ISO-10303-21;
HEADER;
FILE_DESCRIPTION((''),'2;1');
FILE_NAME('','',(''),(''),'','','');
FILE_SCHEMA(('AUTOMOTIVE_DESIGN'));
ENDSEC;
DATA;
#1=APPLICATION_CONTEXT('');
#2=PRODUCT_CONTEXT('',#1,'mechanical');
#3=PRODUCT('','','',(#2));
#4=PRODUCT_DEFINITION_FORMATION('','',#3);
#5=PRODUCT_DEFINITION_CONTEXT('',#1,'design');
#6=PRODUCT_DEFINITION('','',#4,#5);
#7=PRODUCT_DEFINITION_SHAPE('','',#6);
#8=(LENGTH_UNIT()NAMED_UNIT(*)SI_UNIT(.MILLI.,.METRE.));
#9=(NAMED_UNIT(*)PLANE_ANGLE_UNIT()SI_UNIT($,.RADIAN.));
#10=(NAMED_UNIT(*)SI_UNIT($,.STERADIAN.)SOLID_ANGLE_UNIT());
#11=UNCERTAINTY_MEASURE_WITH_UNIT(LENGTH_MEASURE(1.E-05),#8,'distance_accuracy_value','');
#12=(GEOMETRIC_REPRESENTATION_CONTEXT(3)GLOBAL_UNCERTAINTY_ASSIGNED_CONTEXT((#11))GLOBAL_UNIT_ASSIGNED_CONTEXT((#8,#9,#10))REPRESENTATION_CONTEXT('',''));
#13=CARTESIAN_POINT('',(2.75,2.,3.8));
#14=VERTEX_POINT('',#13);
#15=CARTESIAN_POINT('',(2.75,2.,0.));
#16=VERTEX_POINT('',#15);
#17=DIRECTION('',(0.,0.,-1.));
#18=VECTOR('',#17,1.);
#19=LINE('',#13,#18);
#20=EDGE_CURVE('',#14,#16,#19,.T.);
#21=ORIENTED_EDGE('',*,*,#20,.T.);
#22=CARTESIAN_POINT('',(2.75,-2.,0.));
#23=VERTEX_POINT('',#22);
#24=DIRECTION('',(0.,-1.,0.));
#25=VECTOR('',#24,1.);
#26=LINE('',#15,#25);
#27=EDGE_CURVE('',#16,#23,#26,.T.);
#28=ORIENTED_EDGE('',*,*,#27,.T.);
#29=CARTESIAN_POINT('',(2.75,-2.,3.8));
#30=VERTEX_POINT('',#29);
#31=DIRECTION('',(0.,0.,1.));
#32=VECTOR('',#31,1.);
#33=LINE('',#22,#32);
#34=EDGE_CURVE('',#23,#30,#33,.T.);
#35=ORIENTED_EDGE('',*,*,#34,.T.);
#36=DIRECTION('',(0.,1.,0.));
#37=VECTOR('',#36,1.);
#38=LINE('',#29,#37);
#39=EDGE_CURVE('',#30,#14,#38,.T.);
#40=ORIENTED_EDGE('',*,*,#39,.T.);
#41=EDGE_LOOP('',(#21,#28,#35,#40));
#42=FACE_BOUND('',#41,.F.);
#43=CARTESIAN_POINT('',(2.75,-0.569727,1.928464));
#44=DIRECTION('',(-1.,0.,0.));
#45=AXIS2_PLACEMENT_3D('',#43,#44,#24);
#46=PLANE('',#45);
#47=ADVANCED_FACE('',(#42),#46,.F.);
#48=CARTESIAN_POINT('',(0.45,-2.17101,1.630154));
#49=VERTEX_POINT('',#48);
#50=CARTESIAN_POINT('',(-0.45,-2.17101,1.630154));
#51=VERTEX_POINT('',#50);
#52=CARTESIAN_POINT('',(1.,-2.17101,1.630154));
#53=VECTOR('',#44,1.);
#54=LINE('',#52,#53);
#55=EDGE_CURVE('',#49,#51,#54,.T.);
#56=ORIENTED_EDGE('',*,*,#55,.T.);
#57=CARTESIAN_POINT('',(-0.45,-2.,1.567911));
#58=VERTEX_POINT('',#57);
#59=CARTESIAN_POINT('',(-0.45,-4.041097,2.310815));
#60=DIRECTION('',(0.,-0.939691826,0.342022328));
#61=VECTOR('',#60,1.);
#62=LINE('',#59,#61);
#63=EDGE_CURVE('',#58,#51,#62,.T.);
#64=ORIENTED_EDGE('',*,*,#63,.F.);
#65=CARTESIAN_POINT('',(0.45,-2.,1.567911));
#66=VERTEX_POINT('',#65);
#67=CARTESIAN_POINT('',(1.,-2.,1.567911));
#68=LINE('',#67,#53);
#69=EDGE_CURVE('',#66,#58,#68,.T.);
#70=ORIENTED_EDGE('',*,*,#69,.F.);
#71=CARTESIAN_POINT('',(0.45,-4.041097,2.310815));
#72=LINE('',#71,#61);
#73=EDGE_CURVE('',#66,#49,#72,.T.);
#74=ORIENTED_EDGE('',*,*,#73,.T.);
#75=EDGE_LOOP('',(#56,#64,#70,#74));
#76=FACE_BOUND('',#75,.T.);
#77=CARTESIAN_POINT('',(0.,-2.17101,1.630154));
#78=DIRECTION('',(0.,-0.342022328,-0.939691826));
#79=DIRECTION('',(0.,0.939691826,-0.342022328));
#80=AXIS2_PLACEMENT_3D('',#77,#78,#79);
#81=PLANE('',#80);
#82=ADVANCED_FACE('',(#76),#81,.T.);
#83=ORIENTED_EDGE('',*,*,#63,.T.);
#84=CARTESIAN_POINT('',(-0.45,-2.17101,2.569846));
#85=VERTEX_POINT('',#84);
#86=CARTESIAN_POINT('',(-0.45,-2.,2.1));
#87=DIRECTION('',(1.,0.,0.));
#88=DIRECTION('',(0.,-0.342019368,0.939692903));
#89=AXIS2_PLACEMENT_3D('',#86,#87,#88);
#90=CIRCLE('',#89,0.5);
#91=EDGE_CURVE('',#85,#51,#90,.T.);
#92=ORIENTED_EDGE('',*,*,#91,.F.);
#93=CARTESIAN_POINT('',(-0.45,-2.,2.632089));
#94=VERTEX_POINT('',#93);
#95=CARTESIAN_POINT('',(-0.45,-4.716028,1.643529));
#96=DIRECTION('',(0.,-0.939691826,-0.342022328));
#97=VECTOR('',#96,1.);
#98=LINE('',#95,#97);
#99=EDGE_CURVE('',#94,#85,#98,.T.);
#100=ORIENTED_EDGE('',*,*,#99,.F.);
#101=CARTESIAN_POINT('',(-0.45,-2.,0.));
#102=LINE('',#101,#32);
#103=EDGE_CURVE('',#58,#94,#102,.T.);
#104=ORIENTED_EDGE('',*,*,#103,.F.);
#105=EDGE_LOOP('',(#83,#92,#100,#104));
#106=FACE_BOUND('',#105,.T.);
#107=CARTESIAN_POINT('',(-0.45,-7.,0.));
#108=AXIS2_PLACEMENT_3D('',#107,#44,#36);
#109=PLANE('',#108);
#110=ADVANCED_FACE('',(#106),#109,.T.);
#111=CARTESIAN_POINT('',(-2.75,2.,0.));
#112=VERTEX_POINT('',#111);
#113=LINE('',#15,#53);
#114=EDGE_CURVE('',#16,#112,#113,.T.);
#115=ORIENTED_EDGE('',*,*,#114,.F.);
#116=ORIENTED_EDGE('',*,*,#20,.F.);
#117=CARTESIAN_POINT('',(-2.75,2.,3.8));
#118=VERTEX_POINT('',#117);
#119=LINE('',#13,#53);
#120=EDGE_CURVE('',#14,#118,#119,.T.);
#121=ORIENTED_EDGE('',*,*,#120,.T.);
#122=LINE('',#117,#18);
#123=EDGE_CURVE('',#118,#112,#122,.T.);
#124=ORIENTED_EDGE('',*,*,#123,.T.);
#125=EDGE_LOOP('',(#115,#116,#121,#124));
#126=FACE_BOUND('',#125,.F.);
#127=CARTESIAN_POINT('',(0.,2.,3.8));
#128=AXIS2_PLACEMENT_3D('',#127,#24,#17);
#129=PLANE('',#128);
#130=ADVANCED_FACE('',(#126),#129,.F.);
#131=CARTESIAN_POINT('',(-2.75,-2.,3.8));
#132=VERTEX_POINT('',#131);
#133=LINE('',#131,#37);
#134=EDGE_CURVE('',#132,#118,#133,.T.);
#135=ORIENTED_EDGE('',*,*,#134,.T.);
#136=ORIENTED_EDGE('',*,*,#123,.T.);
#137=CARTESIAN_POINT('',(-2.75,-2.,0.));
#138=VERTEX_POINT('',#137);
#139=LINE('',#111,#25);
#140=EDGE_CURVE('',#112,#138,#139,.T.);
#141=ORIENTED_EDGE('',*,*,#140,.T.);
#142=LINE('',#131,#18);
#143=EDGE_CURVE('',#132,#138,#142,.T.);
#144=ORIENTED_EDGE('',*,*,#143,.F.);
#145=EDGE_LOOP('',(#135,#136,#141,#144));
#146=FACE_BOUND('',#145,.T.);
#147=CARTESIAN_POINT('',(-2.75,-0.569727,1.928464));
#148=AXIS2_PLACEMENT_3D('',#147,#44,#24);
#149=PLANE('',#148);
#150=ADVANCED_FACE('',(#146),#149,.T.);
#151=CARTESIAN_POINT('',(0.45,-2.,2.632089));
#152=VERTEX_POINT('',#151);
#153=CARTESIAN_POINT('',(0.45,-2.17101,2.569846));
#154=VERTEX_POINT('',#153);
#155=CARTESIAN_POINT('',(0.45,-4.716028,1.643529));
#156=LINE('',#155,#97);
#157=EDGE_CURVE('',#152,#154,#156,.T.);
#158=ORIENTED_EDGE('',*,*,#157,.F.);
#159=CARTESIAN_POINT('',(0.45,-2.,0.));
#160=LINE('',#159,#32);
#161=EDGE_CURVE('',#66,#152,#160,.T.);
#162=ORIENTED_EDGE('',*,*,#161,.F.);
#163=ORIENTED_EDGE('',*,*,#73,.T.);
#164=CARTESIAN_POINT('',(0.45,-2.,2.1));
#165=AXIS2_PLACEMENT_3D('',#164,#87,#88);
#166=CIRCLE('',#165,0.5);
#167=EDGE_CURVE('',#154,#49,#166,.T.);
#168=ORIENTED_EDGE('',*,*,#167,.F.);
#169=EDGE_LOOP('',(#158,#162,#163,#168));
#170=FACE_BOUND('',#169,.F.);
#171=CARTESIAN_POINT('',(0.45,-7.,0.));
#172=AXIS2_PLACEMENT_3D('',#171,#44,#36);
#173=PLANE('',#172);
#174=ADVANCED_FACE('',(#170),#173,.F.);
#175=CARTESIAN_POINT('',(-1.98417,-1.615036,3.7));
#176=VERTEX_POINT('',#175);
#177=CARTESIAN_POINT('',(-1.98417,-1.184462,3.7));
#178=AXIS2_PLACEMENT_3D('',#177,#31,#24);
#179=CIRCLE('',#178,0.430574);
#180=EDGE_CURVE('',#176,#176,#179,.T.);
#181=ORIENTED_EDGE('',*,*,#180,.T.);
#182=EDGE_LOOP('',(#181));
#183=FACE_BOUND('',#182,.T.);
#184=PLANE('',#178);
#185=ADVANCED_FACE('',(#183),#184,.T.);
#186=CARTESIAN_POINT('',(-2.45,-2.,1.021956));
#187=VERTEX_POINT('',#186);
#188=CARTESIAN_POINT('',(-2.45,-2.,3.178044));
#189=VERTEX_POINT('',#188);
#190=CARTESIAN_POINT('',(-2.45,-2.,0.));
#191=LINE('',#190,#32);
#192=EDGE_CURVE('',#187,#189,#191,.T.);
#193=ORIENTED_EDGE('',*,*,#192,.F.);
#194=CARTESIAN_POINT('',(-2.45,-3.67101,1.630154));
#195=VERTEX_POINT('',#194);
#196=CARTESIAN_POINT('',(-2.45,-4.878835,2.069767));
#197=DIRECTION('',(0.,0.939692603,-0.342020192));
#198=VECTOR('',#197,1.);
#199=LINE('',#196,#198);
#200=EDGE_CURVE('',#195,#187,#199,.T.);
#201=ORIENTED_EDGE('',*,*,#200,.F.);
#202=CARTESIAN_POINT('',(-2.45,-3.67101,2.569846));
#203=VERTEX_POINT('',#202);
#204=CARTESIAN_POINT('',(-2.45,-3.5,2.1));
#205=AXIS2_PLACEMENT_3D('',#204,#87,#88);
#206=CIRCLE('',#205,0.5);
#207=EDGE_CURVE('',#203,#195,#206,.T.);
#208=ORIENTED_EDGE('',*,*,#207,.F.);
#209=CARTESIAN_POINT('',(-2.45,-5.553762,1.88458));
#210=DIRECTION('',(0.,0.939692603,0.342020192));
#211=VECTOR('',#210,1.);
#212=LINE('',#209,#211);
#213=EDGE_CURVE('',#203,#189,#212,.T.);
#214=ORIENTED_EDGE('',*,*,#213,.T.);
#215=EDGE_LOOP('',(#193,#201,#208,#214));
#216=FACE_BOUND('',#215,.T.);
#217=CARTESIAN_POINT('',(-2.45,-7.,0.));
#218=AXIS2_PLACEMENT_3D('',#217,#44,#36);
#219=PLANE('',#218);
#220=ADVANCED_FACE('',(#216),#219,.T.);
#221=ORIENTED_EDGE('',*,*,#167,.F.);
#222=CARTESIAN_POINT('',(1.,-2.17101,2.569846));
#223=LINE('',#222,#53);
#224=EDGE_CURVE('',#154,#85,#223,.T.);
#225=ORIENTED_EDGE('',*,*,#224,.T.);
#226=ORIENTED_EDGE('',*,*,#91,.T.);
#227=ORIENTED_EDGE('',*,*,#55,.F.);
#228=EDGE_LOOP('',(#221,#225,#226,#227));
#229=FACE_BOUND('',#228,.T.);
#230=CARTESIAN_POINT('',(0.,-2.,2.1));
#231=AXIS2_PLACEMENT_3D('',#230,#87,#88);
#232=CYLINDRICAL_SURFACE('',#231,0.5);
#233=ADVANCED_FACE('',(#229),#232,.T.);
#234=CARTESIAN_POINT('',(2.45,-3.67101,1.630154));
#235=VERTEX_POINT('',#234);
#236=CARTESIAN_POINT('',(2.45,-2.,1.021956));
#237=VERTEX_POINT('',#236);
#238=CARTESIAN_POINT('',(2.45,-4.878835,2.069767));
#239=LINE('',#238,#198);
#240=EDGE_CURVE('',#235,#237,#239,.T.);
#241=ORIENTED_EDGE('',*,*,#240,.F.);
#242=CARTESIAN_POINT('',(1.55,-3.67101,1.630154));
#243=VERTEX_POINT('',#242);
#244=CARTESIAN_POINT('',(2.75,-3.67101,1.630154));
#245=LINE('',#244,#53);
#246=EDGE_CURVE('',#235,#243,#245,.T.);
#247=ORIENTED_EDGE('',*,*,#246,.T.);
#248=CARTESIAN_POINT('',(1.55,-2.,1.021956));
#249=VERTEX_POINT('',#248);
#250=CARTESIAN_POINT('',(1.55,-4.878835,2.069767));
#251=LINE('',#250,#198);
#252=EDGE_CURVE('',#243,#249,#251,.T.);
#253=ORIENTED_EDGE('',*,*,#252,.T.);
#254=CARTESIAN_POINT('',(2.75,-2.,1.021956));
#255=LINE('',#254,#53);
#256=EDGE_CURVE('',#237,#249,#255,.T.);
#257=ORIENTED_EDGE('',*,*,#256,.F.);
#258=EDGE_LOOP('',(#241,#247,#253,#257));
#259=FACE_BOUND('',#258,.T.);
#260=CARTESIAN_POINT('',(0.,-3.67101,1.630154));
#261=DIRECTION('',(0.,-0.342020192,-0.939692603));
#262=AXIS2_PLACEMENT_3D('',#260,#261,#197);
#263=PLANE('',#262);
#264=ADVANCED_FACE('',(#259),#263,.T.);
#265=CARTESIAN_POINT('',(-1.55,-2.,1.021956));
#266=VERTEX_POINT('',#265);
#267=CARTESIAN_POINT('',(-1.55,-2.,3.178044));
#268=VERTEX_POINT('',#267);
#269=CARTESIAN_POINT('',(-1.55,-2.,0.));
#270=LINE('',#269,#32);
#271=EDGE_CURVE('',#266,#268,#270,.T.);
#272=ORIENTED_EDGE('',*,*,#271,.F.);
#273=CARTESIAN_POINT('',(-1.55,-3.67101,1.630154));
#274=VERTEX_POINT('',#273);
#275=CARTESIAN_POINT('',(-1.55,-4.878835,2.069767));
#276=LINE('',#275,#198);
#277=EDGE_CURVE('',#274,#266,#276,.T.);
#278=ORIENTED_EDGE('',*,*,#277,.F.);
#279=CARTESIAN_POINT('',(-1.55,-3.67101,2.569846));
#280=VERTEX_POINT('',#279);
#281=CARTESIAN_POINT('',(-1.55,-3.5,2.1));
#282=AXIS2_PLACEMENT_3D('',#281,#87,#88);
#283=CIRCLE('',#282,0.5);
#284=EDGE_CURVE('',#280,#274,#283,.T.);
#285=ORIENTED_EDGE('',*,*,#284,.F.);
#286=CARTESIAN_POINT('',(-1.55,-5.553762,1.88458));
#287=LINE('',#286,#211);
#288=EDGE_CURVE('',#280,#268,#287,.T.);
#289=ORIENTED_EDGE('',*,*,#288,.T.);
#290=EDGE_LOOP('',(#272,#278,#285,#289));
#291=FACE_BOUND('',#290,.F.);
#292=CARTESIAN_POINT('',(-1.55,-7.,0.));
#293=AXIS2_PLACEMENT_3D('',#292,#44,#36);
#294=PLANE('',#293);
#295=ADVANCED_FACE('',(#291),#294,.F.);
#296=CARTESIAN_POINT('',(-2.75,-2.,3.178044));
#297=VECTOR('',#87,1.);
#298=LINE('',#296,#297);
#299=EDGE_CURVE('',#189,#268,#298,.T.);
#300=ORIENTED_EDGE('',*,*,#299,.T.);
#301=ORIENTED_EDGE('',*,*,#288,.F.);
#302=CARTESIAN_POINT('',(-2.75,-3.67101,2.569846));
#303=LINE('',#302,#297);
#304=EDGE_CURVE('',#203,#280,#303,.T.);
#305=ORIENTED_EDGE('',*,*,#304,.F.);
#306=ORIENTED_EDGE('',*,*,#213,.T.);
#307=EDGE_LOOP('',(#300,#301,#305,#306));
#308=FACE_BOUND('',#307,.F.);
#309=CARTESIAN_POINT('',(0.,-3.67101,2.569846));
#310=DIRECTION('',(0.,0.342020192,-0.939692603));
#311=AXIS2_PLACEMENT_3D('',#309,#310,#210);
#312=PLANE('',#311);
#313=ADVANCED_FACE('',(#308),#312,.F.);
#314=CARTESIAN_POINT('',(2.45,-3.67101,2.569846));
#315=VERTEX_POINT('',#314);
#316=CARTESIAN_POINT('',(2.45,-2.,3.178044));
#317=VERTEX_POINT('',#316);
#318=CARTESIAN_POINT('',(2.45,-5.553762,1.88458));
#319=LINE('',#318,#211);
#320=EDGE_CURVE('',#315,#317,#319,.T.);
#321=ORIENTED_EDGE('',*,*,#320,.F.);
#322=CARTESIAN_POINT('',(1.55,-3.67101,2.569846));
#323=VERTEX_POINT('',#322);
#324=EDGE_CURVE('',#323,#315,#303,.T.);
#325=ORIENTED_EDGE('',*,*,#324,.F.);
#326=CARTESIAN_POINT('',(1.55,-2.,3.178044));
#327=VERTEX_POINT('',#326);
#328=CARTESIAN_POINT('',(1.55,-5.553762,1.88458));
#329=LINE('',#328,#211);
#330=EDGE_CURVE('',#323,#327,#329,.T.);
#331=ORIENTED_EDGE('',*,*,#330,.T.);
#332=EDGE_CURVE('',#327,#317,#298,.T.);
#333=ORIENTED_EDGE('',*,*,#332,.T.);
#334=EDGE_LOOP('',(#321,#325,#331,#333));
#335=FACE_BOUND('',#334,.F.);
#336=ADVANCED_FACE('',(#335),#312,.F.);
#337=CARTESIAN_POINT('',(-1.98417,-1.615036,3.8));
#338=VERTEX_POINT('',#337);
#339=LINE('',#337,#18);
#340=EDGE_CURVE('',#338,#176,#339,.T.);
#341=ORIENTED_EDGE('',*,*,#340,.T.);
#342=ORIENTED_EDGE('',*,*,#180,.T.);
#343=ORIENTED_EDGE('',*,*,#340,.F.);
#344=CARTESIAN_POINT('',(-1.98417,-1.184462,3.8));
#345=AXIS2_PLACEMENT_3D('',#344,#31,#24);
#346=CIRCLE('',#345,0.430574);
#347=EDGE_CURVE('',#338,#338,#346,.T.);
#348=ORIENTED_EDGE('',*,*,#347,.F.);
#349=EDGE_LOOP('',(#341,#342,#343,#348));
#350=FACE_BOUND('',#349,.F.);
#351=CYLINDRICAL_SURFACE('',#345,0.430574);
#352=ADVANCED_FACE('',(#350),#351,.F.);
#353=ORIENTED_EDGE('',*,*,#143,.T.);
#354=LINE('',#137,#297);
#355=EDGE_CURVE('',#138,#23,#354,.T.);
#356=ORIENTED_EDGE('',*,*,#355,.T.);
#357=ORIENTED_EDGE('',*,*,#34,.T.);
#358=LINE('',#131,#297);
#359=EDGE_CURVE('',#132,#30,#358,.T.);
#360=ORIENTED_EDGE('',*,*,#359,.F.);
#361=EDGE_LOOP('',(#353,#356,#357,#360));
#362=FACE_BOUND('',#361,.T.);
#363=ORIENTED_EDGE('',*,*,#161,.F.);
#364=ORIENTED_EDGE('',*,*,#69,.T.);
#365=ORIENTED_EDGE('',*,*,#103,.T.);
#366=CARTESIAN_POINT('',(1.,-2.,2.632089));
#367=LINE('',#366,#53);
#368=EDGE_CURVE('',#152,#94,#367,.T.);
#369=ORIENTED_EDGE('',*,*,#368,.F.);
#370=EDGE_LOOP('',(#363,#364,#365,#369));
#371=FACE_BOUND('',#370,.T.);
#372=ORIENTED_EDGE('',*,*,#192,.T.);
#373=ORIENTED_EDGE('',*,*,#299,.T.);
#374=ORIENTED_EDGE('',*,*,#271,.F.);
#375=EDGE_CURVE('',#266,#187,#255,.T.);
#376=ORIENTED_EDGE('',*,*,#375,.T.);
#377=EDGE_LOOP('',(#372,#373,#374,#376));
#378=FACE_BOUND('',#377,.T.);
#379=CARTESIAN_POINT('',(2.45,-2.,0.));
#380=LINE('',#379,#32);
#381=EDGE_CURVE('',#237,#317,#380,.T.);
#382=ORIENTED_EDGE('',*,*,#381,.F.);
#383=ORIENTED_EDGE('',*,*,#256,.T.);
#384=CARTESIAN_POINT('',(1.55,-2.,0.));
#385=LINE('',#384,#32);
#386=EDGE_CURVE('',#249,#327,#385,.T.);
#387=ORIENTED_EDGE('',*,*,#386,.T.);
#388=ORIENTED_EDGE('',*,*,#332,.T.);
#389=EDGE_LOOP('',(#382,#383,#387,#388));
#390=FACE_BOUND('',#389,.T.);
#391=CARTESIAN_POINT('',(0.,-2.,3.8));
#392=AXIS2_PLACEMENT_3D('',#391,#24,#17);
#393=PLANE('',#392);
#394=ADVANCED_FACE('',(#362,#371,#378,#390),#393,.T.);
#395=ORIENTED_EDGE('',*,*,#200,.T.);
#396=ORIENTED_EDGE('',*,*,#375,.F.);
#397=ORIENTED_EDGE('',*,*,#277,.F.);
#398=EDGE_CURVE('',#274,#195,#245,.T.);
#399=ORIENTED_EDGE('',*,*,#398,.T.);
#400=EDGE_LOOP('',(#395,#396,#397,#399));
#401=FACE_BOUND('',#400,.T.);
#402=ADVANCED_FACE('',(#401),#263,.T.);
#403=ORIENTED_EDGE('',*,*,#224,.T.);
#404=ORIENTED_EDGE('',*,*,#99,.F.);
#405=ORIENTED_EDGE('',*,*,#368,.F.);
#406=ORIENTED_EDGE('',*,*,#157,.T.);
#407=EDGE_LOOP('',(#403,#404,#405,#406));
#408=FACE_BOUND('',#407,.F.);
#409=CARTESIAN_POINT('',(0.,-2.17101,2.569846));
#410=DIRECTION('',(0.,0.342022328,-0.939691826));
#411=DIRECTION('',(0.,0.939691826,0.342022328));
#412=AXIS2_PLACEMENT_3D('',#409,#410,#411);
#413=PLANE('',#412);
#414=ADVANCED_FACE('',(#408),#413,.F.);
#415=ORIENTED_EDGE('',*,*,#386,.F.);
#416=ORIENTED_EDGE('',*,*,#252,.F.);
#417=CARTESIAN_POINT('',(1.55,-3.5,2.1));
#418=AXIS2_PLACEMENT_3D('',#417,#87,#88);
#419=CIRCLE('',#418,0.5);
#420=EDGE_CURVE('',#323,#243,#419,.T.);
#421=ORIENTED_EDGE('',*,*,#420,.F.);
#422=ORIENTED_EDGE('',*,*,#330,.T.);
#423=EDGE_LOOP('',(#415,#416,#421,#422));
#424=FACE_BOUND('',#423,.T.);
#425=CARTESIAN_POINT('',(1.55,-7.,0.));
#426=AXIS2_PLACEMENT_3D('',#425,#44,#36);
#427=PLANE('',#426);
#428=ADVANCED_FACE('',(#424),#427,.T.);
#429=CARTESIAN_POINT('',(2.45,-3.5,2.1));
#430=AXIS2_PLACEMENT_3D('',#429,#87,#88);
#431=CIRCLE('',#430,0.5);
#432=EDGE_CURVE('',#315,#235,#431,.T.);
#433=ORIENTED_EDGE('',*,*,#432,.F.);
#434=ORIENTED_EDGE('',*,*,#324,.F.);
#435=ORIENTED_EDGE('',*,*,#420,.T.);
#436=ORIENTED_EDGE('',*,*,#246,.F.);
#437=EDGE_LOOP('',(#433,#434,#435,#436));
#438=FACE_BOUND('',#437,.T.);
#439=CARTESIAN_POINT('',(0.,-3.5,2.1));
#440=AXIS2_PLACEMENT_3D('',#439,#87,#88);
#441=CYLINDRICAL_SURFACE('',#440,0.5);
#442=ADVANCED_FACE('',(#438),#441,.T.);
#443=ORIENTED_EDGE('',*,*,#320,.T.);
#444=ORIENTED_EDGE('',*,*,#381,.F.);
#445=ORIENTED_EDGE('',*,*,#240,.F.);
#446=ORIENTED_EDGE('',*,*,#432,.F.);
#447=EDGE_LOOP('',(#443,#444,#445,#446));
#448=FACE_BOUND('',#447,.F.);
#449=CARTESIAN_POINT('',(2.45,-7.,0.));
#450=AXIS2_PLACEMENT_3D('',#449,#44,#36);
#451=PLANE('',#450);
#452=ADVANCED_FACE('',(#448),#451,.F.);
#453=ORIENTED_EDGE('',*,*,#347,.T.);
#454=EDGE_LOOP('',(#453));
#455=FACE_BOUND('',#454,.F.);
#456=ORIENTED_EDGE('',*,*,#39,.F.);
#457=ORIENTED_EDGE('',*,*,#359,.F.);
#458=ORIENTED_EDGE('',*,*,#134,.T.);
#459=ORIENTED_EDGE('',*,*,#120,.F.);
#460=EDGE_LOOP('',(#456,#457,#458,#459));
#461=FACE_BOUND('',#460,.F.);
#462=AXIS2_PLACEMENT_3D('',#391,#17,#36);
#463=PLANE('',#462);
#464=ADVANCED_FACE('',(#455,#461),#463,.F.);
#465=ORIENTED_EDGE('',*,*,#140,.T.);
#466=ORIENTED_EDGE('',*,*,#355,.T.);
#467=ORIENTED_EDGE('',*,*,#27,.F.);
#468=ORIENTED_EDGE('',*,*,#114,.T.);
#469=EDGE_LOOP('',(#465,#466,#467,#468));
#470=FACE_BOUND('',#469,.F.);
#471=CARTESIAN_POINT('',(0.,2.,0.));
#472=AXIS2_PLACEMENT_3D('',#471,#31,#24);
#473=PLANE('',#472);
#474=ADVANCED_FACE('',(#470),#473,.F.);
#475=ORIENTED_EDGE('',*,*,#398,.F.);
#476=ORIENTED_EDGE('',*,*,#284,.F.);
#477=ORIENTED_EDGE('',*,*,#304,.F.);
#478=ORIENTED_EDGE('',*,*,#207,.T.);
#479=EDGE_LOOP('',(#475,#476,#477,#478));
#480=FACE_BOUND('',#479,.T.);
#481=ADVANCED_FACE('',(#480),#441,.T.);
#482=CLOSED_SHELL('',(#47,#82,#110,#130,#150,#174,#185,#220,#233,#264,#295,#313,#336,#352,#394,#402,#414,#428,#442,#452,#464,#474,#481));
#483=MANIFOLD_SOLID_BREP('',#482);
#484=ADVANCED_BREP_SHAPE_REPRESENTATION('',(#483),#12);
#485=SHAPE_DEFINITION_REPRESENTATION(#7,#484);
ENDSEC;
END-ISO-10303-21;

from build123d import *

# Parameters (mm, degrees)
PAD_DEPTH       = 2.75
SKETCH001_W     = 1.1
SKETCH001_H     = 5
POCKET_DEPTH    = 5
POCKET001_DEPTH = 1
SKETCH003_R     = 0.430574
POCKET002_DEPTH = 0.1


with BuildPart() as part:
    # Sketch → Pad (new body, symmetric)
    with BuildSketch(Plane.YZ):
        with BuildLine():
            Line((-2, 3.8), (2, 3.8))
            Line((2, 3.8), (2, 0))
            Line((2, 0), (-2, 0))
            Line((-2, 1.021956), (-2, 0))
            Line((-3.67101, 1.630154), (-2, 1.021956))
            ThreePointArc((-3.67101, 2.569846), (-4, 2.1), (-3.67101, 1.630154))
            Line((-3.67101, 2.569846), (-2, 3.178044))
            Line((-2, 3.8), (-2, 3.178044))
        make_face()
    extrude(amount=PAD_DEPTH, both=True)

    # Sketch001 → Pocket (cut)
    with BuildSketch(Plane.XY):
        with Locations((-3, -4.5)):
            Rectangle(SKETCH001_W, SKETCH001_H)
        with Locations((3, -4.5)):
            Rectangle(SKETCH001_W, SKETCH001_H)
        with Locations((-1, -4.5)):
            Rectangle(SKETCH001_W, SKETCH001_H)
        with Locations((1, -4.5)):
            Rectangle(SKETCH001_W, SKETCH001_H)
    extrude(amount=POCKET_DEPTH, mode=Mode.SUBTRACT)

    # Sketch002 → Pocket001 (cut, symmetric)
    with BuildSketch(Plane.YZ):
        with BuildLine():
            Line((-2, 3.803843), (-2, 2.632089))
            Line((-2.17101, 2.569846), (-2, 2.632089))
            ThreePointArc((-2.17101, 2.569846), (-2.5, 2.1), (-2.17101, 1.630154))
            Line((-2.17101, 1.630154), (-2, 1.567911))
            Line((-2, 1.567911), (-2, 0))
            Line((-2, 0), (-4.600504, 0))
            Line((-4.600504, 0), (-4.600504, 3.803843))
            Line((-4.600504, 3.803843), (-2, 3.803843))
        make_face()
    extrude(amount=POCKET001_DEPTH, both=True, mode=Mode.SUBTRACT)

    # Sketch003 (on Face5 of Pocket001) → Pocket002 (cut)
    with BuildSketch(Plane(origin=(0, 0, 3.8), x_dir=(0, -1, 0), z_dir=(0, 0, 1))):
        with Locations((1.184462, -1.98417)):
            Circle(SKETCH003_R)
    extrude(amount=-POCKET002_DEPTH, mode=Mode.SUBTRACT)


solid = part.part
